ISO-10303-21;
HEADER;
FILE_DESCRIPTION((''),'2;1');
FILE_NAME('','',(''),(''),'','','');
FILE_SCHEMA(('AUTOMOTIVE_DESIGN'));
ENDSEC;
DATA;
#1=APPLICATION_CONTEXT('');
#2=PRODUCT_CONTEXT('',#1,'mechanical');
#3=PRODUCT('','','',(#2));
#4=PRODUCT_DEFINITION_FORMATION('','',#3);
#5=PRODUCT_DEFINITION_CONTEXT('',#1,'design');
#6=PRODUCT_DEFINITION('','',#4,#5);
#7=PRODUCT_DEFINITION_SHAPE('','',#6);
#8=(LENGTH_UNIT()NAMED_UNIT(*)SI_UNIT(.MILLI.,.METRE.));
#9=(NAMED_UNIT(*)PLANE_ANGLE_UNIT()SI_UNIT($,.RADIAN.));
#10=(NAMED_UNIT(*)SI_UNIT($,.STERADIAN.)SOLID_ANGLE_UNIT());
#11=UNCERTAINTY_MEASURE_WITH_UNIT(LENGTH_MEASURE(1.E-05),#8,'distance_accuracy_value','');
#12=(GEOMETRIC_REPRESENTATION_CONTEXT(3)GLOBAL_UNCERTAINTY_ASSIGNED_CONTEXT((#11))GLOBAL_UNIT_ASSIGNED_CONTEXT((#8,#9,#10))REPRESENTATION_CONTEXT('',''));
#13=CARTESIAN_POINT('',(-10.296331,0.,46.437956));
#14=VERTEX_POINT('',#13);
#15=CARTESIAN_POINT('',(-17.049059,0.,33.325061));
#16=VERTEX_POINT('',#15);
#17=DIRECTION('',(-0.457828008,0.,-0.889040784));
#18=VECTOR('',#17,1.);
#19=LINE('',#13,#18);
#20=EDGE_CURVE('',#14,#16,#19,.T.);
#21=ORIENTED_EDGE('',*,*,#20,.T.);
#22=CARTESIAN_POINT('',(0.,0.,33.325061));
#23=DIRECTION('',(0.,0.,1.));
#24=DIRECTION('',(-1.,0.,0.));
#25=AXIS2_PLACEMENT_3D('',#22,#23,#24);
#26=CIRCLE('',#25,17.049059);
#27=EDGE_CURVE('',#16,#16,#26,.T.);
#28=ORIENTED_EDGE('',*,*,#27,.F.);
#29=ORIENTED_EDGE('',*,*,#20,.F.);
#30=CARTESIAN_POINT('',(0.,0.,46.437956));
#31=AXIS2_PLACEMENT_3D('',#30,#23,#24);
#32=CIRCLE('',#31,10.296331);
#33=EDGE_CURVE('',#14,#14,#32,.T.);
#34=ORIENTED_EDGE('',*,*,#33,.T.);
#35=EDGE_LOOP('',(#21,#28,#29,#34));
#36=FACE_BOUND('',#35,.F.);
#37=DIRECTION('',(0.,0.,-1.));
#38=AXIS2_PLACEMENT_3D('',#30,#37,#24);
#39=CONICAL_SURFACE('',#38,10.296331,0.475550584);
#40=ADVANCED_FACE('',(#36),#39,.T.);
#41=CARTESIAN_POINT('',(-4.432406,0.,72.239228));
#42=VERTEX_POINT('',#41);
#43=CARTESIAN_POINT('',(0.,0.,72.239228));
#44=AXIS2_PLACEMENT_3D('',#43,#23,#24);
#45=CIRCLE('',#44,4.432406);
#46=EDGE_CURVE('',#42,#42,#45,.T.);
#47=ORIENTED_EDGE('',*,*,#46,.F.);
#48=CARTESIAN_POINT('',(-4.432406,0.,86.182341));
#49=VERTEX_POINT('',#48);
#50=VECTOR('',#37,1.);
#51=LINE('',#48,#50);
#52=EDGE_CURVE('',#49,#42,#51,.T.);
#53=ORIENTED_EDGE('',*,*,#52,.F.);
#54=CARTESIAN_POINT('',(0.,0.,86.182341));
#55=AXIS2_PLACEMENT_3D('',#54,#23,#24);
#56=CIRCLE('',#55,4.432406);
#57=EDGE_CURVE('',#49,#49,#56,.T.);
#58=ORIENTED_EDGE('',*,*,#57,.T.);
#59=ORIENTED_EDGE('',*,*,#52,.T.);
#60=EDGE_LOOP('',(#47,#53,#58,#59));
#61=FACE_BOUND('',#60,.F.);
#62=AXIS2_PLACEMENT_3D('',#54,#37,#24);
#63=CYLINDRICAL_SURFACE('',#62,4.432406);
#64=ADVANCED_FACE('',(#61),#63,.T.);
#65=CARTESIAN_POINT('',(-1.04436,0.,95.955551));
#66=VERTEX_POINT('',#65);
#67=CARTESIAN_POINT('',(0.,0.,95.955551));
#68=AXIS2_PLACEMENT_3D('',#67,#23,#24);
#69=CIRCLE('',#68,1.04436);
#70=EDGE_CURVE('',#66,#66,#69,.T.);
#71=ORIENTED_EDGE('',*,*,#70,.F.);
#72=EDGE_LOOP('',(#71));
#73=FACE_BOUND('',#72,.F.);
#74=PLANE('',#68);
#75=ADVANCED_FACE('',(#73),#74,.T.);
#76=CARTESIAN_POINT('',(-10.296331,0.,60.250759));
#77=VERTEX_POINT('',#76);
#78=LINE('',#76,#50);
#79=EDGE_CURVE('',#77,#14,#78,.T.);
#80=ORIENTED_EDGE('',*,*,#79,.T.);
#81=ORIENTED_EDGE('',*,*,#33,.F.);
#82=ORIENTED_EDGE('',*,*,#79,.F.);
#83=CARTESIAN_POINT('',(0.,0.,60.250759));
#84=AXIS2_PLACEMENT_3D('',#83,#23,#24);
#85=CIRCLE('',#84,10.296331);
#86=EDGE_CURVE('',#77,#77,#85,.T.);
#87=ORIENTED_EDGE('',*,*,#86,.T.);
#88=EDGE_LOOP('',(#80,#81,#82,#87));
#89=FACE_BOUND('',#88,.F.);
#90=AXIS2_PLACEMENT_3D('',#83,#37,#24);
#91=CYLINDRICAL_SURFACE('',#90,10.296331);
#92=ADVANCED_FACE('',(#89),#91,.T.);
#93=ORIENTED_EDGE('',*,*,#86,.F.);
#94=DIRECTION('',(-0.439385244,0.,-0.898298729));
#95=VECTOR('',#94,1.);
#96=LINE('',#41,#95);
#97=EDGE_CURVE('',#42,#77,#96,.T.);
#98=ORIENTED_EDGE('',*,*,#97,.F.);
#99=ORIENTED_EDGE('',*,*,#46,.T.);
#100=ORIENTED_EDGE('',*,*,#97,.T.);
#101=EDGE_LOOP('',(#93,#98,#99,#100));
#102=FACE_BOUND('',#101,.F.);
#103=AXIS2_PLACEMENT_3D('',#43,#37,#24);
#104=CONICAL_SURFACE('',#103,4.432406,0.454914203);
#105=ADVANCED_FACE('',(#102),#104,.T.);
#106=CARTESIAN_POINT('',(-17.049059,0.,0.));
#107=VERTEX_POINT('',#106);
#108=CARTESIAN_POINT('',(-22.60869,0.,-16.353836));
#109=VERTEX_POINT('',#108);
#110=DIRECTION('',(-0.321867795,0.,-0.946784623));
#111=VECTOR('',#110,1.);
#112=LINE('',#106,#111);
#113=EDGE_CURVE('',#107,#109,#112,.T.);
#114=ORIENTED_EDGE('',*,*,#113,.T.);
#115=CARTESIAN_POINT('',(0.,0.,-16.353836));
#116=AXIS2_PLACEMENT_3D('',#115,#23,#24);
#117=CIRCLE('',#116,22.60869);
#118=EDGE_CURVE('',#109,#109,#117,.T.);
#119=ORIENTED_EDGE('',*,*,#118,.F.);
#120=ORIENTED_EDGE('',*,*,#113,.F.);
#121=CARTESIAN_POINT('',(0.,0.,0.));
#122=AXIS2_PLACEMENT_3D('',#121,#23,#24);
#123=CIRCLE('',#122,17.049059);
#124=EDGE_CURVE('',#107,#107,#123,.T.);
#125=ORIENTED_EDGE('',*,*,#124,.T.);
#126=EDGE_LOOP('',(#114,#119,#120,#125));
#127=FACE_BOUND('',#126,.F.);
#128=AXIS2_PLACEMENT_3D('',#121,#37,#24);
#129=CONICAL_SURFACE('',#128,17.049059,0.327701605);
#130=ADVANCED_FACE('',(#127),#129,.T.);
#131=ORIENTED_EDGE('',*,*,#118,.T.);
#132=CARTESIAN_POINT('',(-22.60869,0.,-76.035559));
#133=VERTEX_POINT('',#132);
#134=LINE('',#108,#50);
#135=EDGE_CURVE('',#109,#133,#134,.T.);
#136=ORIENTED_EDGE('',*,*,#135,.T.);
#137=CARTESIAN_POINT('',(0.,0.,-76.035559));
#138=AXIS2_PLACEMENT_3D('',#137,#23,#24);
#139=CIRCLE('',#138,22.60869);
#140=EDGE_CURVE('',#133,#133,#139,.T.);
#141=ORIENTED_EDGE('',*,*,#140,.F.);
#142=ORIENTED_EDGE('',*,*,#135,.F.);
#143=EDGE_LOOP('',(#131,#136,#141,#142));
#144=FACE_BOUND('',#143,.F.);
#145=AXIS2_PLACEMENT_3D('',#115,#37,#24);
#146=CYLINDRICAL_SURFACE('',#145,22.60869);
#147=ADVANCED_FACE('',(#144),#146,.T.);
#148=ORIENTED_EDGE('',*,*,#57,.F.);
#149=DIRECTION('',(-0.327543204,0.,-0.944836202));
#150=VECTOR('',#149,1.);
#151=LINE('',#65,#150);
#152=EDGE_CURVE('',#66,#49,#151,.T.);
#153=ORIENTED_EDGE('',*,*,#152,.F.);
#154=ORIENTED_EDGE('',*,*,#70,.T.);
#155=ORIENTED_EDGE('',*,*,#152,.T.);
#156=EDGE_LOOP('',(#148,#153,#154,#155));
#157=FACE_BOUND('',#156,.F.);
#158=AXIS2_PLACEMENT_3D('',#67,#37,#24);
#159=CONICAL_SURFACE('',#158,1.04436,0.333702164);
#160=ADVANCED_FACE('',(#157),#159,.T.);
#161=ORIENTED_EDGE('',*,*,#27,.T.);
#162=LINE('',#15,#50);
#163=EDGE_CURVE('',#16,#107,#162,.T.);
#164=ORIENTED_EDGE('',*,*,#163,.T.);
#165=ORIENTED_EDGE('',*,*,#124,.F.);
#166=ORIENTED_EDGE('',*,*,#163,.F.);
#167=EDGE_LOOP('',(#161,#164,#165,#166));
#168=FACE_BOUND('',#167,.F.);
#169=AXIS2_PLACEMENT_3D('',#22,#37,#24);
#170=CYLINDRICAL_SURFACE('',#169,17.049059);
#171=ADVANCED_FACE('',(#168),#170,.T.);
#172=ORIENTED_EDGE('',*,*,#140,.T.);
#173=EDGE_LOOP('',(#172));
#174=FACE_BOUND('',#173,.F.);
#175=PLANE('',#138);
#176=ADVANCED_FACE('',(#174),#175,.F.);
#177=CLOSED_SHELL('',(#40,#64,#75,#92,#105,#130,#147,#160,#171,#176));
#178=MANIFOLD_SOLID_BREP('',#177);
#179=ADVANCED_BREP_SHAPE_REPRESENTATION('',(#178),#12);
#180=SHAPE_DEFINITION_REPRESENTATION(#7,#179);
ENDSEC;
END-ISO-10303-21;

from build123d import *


with BuildPart() as f1:
    # F0 (on Front) → F1 (revolve)
    with BuildSketch(Plane.XZ):
        Polygon((-22.60869, -16.353836), (-22.60869, -76.035559), (0, -76.035559), (0, -16.353836), (0, 0), (0, 33.325061), (0, 46.437956), (0, 60.250759), (0, 72.239228), (0, 86.182341), (0, 95.955551), (-1.04436, 95.955551), (-4.432406, 86.182341), (-4.432406, 72.239228), (-10.296331, 60.250759), (-10.296331, 46.437956), (-17.049059, 33.325061), (-17.049059, 0), align=None)
    revolve(axis=Axis((0, 0, 8.563869), (0, 0, 1)))


solid = f1.part
